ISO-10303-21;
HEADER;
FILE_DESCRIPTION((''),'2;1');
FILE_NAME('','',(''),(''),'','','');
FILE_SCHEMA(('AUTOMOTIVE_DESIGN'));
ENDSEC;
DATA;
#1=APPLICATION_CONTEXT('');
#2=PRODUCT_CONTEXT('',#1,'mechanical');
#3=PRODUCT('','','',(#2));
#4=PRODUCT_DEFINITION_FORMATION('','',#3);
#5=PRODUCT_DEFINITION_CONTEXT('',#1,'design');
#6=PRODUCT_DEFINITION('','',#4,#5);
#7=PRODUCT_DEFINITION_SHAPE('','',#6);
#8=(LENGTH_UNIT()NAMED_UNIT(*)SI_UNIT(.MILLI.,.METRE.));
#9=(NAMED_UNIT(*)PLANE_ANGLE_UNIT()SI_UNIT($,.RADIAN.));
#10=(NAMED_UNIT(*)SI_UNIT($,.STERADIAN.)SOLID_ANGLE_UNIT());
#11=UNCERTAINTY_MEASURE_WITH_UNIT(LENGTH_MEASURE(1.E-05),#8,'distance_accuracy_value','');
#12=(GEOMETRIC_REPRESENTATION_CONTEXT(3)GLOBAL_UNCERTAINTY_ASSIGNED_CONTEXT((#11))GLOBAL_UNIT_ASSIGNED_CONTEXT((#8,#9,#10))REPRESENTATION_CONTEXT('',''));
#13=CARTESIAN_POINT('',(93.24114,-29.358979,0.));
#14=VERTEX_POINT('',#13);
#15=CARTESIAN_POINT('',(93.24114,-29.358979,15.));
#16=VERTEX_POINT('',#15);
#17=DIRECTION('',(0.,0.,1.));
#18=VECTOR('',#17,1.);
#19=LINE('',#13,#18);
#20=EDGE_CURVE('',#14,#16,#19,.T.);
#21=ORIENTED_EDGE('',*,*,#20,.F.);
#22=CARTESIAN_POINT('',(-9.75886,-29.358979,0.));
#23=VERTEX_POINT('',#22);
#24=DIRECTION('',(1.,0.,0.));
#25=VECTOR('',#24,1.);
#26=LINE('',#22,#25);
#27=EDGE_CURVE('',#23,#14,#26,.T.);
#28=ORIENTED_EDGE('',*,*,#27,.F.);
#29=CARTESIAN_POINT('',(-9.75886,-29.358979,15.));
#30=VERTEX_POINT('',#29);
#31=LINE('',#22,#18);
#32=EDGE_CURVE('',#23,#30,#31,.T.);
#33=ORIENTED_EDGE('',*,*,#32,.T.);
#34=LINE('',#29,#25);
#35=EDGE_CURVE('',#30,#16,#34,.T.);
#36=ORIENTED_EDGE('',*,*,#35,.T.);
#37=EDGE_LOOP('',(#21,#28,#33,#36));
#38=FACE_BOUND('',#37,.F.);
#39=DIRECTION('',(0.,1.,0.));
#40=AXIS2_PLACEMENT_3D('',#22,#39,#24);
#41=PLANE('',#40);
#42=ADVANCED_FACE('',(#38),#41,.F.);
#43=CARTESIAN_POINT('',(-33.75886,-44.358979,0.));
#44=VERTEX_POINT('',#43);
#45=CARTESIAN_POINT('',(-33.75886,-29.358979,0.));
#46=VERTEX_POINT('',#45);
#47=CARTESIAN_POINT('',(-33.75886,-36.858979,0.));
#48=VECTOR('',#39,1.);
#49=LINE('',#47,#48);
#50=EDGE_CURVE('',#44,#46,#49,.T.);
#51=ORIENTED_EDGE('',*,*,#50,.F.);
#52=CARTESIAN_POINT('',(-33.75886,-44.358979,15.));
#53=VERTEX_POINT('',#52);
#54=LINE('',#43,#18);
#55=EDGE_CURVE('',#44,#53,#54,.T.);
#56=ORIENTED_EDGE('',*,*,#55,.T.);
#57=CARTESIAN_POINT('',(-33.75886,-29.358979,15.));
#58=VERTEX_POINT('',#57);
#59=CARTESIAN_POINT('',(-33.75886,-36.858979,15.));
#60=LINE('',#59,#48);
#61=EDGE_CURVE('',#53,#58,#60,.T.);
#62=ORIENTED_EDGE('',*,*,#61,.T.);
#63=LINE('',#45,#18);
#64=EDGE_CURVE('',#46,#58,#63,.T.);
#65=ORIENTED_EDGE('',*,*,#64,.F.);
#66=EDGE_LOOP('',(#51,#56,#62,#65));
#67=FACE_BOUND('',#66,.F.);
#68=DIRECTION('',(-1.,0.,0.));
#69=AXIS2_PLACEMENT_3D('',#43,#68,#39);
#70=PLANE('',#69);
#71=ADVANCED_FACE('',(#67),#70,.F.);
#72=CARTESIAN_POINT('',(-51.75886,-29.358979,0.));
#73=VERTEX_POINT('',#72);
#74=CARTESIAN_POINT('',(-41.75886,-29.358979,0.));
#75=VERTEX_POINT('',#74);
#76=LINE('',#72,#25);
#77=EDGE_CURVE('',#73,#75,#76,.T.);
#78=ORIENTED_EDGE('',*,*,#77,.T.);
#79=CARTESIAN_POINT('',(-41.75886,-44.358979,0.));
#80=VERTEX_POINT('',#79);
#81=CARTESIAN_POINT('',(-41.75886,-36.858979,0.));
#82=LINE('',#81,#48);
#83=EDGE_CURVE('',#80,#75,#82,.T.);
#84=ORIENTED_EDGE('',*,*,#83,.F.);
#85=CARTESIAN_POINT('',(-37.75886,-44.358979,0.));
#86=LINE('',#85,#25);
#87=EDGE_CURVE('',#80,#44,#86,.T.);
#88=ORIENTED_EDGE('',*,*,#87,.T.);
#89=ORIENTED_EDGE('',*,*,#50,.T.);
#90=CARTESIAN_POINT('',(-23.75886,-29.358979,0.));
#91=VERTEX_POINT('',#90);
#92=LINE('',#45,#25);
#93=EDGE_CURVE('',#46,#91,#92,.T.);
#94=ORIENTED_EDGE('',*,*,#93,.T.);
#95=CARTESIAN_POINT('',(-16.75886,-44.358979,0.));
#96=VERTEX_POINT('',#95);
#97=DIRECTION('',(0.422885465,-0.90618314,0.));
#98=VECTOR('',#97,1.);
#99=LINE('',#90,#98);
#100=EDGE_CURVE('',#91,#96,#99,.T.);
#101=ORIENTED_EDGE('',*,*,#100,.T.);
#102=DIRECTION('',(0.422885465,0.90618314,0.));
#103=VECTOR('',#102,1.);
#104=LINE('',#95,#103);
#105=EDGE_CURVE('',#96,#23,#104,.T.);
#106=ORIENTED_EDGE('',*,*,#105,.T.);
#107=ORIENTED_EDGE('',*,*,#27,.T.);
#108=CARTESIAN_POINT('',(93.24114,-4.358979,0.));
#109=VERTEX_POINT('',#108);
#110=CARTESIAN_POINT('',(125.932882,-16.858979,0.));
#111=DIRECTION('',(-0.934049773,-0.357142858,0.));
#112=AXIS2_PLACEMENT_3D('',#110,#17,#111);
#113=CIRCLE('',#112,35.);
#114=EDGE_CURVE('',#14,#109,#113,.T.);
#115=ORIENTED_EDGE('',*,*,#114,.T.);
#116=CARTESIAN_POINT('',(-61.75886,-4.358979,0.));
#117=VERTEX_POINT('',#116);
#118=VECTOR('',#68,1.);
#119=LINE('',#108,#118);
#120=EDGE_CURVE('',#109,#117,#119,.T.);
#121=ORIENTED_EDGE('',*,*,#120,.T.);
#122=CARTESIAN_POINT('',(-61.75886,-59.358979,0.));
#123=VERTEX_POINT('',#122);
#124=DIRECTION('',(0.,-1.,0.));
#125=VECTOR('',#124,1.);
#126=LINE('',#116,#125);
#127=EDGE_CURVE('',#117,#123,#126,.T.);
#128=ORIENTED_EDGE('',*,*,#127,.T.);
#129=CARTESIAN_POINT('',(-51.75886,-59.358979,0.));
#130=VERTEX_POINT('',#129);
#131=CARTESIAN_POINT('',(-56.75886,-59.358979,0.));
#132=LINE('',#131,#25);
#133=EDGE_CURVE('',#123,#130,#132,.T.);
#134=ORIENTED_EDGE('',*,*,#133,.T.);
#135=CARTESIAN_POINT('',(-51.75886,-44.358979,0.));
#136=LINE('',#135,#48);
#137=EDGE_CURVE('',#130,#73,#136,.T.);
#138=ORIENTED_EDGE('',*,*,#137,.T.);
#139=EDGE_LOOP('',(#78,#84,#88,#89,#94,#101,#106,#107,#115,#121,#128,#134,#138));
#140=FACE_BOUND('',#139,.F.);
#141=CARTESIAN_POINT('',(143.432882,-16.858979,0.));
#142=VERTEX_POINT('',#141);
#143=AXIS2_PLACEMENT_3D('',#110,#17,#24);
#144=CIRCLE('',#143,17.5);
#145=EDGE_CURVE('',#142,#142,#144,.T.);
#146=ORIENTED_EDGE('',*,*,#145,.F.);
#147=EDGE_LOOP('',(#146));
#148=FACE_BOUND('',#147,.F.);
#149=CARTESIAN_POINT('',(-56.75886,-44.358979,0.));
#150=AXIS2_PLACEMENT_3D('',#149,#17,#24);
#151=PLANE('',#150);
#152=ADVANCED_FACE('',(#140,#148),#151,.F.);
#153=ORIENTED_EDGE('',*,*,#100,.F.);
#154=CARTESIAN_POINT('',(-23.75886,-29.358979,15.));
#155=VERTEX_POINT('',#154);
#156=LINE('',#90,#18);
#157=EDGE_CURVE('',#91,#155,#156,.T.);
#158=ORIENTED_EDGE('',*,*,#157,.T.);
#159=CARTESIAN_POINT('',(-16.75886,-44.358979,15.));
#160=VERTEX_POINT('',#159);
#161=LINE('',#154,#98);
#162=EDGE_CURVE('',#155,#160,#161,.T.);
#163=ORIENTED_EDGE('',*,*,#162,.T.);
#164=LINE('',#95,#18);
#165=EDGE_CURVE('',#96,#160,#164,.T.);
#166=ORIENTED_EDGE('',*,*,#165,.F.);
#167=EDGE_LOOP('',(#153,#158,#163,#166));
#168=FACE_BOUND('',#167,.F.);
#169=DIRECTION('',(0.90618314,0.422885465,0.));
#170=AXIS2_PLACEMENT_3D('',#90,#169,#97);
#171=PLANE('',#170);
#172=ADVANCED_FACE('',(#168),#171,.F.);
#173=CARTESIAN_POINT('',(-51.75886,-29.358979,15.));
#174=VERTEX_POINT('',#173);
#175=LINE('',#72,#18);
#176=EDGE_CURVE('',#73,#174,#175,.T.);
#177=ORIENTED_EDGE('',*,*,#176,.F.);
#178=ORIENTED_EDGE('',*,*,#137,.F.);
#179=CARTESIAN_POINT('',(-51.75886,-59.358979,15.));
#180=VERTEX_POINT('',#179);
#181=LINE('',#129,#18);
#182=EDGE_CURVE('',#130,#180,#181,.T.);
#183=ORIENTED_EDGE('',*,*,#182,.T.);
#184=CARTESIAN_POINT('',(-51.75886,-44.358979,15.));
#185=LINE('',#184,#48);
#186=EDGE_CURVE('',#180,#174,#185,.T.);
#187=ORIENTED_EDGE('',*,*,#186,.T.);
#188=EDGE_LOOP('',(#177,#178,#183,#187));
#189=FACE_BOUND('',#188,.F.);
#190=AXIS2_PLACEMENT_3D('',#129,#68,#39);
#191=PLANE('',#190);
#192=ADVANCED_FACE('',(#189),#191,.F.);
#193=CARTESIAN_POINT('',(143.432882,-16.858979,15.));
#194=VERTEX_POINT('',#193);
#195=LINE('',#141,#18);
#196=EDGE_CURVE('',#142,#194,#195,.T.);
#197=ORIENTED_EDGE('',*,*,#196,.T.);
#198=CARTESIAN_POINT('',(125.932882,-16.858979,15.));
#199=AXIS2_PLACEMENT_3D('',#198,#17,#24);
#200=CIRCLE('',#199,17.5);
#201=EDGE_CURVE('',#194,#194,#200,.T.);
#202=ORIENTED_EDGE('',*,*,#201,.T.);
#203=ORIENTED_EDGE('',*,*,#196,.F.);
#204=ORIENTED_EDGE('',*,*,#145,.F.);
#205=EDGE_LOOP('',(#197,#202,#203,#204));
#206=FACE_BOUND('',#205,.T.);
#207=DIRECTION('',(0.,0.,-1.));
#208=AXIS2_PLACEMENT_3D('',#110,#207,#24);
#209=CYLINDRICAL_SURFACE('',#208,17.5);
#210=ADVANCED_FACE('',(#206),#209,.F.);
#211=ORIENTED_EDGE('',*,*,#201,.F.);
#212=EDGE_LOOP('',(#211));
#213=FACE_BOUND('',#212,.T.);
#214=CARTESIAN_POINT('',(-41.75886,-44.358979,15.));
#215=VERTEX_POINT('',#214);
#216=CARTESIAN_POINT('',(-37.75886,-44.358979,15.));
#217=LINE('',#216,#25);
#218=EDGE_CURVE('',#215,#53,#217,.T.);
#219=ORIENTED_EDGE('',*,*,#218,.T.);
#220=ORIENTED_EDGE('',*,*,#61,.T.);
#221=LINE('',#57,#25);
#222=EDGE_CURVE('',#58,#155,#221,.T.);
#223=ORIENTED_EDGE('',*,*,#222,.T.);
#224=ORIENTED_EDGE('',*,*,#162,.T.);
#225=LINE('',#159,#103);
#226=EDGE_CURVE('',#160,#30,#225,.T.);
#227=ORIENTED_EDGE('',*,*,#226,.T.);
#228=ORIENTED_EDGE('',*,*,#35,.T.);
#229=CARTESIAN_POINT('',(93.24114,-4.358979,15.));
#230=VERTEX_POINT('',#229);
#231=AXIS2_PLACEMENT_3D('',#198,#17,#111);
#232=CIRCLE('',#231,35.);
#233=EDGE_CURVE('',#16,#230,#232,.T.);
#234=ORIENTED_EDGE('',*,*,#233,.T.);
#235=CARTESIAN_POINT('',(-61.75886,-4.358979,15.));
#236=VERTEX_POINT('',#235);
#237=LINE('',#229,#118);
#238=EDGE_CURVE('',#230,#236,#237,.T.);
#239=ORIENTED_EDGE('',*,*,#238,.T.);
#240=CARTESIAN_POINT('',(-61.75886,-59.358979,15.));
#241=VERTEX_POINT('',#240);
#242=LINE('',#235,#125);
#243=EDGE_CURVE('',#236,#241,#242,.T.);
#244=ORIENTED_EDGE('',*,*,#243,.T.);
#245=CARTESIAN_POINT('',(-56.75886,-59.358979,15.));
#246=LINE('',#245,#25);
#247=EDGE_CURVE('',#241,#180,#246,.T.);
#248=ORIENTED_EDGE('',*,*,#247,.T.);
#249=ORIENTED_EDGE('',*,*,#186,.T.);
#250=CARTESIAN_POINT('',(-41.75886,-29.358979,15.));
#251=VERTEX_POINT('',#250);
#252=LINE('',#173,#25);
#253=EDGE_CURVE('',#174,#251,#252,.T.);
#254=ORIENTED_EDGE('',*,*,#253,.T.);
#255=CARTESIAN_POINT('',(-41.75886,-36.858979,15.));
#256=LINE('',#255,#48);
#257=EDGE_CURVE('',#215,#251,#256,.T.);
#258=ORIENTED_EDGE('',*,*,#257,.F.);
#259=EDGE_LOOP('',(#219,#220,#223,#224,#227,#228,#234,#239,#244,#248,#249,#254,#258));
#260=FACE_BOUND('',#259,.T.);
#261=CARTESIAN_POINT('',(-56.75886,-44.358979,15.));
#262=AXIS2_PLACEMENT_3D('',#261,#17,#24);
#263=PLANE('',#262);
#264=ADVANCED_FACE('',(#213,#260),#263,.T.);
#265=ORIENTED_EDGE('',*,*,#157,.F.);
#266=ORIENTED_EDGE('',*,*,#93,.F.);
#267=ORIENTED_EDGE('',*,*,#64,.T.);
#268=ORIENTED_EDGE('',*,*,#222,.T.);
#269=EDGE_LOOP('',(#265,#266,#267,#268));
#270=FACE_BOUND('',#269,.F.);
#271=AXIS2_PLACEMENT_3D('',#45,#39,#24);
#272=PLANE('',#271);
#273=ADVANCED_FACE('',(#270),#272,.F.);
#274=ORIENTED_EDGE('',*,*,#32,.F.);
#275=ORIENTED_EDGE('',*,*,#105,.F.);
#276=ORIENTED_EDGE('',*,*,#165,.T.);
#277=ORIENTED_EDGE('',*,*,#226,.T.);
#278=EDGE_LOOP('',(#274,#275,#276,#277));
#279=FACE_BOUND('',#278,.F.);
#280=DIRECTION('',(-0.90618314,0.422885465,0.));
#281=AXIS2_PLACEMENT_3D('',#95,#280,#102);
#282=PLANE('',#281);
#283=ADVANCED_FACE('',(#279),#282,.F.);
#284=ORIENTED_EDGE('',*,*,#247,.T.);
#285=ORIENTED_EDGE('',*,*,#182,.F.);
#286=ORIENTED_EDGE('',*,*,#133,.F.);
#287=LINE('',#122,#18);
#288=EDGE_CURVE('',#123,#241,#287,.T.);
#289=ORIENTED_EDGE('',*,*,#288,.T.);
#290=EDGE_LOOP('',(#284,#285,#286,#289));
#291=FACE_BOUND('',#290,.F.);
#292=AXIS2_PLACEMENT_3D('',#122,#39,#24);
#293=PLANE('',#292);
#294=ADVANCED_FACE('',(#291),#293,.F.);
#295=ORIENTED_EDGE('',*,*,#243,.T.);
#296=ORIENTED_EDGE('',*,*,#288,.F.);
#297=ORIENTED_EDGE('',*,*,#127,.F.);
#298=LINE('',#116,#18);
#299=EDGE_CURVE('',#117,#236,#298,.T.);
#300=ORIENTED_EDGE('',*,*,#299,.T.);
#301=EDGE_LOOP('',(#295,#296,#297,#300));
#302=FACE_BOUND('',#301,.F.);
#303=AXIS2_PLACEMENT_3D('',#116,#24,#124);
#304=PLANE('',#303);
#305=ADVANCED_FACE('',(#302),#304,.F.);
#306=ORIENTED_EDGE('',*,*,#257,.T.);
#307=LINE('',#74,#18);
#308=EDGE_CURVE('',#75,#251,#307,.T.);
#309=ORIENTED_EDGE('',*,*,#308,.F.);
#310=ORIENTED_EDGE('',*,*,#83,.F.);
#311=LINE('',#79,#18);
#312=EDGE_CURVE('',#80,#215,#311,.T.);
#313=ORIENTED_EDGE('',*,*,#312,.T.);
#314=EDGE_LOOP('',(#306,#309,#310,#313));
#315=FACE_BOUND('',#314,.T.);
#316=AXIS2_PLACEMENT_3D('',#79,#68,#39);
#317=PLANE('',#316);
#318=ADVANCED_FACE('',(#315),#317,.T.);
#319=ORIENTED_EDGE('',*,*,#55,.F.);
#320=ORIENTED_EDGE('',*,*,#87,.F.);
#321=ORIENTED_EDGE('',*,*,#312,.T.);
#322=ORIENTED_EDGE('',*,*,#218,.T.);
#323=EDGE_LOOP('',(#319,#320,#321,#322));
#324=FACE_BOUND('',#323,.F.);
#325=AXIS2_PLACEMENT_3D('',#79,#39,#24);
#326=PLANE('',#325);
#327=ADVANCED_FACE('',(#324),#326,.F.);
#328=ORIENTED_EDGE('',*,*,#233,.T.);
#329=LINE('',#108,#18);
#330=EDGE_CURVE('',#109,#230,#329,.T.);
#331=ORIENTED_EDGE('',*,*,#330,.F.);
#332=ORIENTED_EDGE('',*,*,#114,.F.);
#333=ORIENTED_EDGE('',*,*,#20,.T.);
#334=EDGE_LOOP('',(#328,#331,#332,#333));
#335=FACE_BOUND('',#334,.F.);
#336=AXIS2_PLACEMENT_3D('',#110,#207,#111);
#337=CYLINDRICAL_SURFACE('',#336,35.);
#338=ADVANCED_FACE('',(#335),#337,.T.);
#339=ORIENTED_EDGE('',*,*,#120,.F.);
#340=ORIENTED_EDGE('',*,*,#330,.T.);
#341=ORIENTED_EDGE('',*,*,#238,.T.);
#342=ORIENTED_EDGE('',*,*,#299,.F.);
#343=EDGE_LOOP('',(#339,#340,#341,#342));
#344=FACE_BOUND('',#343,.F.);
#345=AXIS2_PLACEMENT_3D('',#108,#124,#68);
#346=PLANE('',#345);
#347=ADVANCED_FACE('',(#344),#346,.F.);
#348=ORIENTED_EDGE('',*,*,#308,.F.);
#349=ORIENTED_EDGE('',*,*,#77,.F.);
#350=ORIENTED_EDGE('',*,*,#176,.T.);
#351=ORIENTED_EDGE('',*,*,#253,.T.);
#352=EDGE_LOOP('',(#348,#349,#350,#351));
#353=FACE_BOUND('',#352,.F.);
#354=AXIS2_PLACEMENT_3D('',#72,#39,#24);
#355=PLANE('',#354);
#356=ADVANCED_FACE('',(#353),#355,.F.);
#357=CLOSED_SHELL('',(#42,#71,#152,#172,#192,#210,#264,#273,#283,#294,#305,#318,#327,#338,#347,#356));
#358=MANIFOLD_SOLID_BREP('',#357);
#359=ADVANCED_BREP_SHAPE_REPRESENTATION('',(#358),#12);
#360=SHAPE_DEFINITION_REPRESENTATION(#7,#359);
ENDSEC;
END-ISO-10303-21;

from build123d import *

# Parameters (mm, degrees)
F0_W     = 10
F0_H     = 30
F0_W_2   = 8
F0_H_2   = 15
F0_R     = 17.5
F1_DEPTH = 15


with BuildPart() as f1:
    # F0 (on Top) → F1 (new body)
    with BuildSketch(Plane.XY):
        with Locations((-56.75886, -44.358979)):
            Rectangle(F0_W, F0_H)
        with Locations((-37.75886, -36.858979)):
            Rectangle(F0_W_2, F0_H_2)
        Polygon((-16.75886, -44.358979), (-9.75886, -29.358979), (-23.75886, -29.358979), align=None)
        Polygon((93.24114, -4.358979), (-61.75886, -4.358979), (-61.75886, -29.358979), (-51.75886, -29.358979), (-41.75886, -29.358979), (-33.75886, -29.358979), (-23.75886, -29.358979), (-9.75886, -29.358979), (93.24114, -29.358979), align=None)
        with BuildLine():
            ThreePointArc((93.24114, -29.358979), (160.932882, -16.858979), (93.24114, -4.358979))
            Line((93.24114, -4.358979), (93.24114, -29.358979))
        make_face()
        with Locations((125.932882, -16.858979)):
            Circle(F0_R, mode=Mode.SUBTRACT)
    extrude(amount=F1_DEPTH)


solid = f1.part
